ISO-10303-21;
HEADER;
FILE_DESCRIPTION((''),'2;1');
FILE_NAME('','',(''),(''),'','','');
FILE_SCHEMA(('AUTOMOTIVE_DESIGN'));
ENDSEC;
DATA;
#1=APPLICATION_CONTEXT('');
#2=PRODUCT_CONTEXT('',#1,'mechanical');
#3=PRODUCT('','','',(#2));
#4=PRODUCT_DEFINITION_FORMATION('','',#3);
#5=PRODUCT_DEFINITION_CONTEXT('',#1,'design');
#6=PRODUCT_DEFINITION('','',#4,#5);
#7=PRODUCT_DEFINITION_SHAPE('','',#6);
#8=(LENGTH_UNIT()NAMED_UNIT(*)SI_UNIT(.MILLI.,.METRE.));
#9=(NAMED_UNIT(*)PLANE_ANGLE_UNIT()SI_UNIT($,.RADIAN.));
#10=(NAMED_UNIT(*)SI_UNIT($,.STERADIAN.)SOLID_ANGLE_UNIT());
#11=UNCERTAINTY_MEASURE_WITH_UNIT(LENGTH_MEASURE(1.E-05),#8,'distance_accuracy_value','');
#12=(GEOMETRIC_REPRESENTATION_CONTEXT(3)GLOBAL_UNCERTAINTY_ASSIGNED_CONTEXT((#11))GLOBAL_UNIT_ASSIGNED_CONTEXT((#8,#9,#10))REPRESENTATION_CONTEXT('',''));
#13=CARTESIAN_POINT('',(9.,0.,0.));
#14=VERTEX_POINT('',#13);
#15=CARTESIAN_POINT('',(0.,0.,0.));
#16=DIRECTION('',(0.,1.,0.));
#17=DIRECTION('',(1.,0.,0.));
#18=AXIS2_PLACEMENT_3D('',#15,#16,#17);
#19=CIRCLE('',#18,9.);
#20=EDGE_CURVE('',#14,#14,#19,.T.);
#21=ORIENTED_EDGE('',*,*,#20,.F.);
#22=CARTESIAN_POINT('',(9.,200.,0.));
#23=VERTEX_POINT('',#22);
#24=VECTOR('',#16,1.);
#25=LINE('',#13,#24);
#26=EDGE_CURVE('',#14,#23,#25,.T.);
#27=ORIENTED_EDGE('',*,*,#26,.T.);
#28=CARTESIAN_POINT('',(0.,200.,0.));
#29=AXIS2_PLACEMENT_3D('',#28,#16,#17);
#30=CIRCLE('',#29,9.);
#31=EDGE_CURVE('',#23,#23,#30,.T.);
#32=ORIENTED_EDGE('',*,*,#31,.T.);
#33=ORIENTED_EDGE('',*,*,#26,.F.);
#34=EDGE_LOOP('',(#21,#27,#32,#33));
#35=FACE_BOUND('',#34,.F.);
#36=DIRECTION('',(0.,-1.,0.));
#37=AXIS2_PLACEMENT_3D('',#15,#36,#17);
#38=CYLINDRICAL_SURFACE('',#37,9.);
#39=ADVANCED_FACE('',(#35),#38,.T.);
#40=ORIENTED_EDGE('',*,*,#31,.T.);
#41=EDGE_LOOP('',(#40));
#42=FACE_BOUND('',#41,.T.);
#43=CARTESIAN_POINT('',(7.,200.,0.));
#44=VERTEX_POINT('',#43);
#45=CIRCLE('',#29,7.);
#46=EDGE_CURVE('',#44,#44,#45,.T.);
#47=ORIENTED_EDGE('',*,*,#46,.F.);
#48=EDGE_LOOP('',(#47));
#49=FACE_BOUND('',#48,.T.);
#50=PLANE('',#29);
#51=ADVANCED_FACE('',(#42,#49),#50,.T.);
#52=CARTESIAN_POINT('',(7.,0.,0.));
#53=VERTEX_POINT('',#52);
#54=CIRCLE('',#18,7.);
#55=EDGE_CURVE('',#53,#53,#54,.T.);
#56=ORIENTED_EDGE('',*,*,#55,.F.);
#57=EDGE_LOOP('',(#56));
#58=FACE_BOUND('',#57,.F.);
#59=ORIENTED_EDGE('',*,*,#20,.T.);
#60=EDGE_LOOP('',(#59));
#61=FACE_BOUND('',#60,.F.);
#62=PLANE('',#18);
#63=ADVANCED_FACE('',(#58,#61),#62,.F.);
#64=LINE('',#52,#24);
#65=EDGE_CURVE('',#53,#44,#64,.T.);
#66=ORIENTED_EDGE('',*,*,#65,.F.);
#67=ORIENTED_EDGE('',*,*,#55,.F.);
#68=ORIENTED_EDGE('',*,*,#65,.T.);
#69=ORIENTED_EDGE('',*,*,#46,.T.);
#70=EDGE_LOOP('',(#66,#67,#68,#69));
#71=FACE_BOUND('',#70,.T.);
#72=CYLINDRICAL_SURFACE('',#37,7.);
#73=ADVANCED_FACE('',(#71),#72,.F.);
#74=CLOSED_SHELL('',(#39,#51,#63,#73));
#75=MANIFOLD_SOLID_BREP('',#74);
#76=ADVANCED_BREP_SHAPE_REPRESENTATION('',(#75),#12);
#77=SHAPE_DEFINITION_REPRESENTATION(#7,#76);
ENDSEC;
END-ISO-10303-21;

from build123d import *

# Parameters (mm, degrees)
ESQUISSE1_R        = 9
ESQUISSE1_R_2      = 7
BOSS_EXTRU_1_DEPTH = 200


with BuildPart() as part:
    # Esquisse1 → Boss.-Extru.1 (new body)
    with BuildSketch(Plane(origin=(0, 0, 0), x_dir=(1, 0, 0), z_dir=(0, 1, 0))):
        Circle(ESQUISSE1_R)
        Circle(ESQUISSE1_R_2, mode=Mode.SUBTRACT)
    extrude(amount=BOSS_EXTRU_1_DEPTH)


solid = part.part
